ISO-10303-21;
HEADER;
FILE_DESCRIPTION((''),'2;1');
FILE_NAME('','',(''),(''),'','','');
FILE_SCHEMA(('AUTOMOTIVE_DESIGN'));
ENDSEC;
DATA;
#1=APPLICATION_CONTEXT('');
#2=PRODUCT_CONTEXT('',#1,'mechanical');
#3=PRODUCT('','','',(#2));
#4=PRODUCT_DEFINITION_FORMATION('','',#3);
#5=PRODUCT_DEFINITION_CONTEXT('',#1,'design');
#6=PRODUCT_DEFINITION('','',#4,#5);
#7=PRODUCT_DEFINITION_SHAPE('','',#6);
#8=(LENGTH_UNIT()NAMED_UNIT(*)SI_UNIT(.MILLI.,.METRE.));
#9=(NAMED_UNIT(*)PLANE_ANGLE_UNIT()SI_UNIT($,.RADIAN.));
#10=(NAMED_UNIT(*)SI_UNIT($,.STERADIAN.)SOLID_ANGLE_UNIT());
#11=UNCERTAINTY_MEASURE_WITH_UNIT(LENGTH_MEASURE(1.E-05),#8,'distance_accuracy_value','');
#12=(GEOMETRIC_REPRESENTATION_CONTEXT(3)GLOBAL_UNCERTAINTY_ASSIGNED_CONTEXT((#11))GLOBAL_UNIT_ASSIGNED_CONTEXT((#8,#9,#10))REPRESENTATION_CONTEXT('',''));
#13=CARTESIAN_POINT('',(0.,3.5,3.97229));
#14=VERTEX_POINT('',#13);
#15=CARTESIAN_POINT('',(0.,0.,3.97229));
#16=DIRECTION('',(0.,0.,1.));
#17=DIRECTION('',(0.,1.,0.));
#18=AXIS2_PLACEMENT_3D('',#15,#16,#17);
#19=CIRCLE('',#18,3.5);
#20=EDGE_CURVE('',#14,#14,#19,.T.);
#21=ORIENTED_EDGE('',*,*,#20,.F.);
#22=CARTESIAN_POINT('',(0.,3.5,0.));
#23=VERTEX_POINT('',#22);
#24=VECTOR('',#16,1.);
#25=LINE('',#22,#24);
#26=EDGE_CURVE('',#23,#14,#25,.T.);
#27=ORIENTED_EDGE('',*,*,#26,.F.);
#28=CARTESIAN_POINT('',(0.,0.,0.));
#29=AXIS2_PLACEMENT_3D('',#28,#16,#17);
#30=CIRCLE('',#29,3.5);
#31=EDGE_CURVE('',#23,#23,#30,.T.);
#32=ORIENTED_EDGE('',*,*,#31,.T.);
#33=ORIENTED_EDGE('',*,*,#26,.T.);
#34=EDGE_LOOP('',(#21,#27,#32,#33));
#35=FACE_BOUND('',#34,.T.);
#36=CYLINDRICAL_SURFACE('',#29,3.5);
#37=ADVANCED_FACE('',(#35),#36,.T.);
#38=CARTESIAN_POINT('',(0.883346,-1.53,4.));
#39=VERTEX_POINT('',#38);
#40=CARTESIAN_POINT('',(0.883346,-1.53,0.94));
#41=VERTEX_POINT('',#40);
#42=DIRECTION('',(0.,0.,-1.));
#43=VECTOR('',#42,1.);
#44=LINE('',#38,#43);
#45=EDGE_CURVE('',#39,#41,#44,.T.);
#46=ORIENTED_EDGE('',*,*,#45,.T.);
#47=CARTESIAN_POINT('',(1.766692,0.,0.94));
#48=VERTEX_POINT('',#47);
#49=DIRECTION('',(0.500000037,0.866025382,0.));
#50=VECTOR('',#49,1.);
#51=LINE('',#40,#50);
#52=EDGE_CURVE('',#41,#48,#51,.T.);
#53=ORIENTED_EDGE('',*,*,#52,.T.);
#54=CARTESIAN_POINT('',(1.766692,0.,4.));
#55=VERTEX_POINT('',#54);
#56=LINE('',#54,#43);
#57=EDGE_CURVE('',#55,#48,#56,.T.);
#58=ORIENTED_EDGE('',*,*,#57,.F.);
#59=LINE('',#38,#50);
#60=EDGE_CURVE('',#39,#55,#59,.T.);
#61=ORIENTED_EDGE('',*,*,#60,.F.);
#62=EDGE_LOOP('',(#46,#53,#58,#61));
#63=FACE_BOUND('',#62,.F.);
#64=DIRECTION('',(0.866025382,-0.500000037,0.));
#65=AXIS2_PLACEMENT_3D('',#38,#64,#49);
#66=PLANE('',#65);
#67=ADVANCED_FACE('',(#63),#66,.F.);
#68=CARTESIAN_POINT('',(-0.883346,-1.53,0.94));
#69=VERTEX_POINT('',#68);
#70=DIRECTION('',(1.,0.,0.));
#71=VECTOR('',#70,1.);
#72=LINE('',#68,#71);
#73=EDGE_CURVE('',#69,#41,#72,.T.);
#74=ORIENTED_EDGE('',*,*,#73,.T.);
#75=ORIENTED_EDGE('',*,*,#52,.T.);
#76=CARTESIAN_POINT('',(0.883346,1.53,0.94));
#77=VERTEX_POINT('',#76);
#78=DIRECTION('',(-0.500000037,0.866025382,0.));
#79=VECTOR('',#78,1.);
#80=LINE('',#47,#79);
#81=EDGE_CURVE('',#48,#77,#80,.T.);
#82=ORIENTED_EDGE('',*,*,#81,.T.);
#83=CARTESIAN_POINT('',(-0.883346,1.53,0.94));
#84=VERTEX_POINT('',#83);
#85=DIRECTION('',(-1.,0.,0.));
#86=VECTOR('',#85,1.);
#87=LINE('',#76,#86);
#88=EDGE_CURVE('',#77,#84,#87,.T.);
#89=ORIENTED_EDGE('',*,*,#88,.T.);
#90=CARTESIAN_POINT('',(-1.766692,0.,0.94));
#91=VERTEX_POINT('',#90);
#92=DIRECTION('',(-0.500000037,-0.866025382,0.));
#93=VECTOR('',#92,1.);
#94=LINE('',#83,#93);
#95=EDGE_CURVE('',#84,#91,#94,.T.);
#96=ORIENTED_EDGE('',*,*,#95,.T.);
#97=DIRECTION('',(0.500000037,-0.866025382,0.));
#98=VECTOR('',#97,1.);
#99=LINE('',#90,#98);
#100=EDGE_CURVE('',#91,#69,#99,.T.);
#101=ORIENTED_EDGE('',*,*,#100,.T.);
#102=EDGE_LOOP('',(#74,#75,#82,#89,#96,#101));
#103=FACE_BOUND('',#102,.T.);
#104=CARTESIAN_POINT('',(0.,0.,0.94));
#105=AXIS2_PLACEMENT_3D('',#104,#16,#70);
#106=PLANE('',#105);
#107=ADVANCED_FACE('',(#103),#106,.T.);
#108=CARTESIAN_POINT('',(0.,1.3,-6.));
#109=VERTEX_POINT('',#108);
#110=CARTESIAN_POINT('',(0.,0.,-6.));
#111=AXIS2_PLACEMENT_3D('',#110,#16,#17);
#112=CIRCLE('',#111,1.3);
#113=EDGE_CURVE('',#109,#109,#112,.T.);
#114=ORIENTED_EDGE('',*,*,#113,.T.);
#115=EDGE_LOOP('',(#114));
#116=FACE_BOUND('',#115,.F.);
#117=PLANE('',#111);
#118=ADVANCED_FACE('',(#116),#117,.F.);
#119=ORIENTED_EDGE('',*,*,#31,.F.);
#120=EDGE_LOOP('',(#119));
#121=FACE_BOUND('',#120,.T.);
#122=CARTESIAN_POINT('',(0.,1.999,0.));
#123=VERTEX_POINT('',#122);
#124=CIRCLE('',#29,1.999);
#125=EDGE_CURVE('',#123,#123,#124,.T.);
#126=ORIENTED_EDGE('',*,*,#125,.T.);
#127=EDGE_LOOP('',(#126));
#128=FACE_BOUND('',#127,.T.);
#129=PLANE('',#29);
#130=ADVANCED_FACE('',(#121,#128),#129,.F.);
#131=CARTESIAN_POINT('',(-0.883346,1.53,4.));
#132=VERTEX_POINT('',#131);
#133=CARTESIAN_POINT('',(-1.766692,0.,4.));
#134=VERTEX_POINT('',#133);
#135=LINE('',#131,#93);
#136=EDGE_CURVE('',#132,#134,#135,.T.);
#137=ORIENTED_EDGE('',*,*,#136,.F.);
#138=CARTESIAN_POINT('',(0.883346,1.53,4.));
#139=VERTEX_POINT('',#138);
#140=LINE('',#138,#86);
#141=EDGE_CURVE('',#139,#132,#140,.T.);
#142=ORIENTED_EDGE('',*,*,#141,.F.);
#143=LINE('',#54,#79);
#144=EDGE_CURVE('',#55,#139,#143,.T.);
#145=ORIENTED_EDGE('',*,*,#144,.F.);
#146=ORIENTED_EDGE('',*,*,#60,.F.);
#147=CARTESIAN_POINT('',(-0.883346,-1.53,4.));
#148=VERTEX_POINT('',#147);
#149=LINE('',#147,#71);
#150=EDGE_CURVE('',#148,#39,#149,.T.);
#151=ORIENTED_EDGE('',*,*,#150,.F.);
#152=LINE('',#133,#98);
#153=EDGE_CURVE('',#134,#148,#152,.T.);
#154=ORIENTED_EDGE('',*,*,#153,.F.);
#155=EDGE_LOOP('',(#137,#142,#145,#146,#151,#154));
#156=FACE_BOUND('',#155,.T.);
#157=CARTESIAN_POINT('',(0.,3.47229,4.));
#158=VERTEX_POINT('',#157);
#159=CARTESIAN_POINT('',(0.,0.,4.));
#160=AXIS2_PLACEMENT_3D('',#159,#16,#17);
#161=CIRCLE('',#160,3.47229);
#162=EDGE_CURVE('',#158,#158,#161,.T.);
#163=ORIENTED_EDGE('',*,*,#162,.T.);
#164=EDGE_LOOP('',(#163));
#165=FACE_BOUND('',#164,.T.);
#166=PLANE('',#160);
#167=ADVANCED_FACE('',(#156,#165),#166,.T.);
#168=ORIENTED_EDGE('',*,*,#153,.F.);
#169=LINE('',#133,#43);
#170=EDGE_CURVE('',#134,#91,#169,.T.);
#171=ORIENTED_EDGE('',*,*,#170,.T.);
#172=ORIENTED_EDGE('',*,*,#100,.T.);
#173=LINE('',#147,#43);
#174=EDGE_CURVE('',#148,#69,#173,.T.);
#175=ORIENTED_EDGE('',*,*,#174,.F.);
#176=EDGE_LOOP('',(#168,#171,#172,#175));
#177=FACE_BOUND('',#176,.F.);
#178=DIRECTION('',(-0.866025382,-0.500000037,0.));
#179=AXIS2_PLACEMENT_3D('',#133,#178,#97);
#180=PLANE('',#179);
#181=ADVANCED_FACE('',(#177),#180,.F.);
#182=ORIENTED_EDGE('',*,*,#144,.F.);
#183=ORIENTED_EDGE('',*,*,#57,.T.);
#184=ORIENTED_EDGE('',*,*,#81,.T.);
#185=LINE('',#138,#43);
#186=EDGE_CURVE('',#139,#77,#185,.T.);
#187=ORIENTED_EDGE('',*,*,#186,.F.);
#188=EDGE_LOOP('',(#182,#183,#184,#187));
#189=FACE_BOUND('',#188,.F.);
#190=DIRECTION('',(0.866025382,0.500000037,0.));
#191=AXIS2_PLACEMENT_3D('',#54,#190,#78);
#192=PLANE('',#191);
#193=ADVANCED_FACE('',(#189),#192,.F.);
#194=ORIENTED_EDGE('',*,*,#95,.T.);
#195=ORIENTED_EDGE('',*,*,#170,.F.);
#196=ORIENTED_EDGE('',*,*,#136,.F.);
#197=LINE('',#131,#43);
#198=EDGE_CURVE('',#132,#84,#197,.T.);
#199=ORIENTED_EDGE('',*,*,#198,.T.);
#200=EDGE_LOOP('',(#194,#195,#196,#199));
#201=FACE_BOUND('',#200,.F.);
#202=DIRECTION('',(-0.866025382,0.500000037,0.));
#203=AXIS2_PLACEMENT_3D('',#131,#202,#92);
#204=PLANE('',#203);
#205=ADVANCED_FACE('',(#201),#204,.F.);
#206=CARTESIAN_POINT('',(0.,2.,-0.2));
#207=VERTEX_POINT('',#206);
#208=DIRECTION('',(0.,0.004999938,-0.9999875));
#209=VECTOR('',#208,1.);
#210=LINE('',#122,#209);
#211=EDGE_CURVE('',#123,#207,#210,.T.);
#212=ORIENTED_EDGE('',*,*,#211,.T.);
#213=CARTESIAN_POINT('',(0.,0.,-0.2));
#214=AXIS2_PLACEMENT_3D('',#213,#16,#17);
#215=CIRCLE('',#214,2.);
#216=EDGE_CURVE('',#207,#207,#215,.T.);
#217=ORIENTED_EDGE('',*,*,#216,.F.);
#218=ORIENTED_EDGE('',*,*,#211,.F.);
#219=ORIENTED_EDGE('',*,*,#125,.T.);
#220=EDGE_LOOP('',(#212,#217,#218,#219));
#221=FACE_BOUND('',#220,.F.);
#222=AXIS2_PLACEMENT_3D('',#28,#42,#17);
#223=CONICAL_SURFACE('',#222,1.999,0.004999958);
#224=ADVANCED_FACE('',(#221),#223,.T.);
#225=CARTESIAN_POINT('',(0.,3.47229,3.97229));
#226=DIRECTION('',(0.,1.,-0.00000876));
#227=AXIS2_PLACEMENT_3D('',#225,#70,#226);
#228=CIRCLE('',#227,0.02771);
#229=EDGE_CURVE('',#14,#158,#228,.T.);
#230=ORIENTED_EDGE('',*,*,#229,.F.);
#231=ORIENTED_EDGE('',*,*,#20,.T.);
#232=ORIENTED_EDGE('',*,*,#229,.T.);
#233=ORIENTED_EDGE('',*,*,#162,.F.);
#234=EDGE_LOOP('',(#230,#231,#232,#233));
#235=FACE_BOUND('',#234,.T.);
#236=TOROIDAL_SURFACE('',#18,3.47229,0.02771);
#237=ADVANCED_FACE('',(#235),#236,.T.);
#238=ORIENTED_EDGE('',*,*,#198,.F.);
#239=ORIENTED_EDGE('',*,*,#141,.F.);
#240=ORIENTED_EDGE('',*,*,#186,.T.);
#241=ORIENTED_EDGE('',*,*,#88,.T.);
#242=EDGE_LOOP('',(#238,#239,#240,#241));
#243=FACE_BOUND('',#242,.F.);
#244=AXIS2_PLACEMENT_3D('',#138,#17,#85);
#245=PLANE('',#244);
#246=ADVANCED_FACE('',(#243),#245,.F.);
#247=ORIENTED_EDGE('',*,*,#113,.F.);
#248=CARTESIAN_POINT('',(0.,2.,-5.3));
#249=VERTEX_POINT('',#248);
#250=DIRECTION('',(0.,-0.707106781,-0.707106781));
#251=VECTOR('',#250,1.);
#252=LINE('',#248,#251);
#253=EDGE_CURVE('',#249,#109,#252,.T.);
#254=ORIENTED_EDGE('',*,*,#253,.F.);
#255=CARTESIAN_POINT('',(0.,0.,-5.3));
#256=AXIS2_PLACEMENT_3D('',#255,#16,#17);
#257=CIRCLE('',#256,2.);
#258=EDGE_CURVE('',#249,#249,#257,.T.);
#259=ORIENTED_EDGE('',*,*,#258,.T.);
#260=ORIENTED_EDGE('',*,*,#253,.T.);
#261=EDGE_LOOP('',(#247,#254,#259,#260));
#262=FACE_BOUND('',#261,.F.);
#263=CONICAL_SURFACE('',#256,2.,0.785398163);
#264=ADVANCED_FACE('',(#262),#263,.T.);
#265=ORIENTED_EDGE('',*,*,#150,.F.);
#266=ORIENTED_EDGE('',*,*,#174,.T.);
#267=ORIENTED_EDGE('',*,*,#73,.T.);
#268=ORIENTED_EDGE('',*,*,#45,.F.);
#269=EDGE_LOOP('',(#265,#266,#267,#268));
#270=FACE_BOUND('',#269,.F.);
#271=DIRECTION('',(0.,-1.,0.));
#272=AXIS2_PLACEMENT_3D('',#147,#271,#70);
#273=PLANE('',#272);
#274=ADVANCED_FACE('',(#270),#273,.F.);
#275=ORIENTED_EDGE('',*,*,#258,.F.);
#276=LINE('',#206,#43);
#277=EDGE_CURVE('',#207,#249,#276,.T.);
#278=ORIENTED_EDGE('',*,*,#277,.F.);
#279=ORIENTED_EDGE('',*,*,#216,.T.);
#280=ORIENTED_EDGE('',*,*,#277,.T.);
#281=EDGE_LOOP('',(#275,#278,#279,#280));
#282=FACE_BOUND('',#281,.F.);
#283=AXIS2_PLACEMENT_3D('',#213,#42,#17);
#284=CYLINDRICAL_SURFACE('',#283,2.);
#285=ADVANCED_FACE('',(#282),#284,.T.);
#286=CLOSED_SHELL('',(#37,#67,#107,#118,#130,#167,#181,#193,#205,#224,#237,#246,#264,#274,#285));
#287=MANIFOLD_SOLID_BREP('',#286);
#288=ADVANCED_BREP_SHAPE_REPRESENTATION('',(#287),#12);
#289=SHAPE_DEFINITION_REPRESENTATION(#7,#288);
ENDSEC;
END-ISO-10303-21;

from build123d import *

# Parameters (mm, degrees)
POCKET_DEPTH = 3.06


with BuildPart() as part:
    # Sketch → Revolve (revolve)
    with BuildSketch(Plane.YZ):
        with BuildLine():
            Line((1.999, 0), (3.5, 0))
            Line((3.5, 0), (3.5, 3.97229))
            ThreePointArc((3.5, 3.97229), (3.491884, 3.991884), (3.47229, 4))
            Line((3.47229, 4), (0, 4))
            Line((0, -6), (0, 4))
            Line((1.3, -6), (0, -6))
            Line((2, -5.3), (1.3, -6))
            Line((2, -0.2), (2, -5.3))
            Line((1.999, 0), (2, -0.2))
        make_face()
    revolve(axis=Axis((0, 0, 0), (0, 0, 1)))

    # Sketch001 → Pocket (cut)
    with BuildSketch(Plane.XY.offset(4)):
        Polygon((1.766692, 0), (0.883346, 1.53), (-0.883346, 1.53), (-1.766692, 0), (-0.883346, -1.53), (0.883346, -1.53), align=None)
    extrude(amount=-POCKET_DEPTH, mode=Mode.SUBTRACT)


solid = part.part
